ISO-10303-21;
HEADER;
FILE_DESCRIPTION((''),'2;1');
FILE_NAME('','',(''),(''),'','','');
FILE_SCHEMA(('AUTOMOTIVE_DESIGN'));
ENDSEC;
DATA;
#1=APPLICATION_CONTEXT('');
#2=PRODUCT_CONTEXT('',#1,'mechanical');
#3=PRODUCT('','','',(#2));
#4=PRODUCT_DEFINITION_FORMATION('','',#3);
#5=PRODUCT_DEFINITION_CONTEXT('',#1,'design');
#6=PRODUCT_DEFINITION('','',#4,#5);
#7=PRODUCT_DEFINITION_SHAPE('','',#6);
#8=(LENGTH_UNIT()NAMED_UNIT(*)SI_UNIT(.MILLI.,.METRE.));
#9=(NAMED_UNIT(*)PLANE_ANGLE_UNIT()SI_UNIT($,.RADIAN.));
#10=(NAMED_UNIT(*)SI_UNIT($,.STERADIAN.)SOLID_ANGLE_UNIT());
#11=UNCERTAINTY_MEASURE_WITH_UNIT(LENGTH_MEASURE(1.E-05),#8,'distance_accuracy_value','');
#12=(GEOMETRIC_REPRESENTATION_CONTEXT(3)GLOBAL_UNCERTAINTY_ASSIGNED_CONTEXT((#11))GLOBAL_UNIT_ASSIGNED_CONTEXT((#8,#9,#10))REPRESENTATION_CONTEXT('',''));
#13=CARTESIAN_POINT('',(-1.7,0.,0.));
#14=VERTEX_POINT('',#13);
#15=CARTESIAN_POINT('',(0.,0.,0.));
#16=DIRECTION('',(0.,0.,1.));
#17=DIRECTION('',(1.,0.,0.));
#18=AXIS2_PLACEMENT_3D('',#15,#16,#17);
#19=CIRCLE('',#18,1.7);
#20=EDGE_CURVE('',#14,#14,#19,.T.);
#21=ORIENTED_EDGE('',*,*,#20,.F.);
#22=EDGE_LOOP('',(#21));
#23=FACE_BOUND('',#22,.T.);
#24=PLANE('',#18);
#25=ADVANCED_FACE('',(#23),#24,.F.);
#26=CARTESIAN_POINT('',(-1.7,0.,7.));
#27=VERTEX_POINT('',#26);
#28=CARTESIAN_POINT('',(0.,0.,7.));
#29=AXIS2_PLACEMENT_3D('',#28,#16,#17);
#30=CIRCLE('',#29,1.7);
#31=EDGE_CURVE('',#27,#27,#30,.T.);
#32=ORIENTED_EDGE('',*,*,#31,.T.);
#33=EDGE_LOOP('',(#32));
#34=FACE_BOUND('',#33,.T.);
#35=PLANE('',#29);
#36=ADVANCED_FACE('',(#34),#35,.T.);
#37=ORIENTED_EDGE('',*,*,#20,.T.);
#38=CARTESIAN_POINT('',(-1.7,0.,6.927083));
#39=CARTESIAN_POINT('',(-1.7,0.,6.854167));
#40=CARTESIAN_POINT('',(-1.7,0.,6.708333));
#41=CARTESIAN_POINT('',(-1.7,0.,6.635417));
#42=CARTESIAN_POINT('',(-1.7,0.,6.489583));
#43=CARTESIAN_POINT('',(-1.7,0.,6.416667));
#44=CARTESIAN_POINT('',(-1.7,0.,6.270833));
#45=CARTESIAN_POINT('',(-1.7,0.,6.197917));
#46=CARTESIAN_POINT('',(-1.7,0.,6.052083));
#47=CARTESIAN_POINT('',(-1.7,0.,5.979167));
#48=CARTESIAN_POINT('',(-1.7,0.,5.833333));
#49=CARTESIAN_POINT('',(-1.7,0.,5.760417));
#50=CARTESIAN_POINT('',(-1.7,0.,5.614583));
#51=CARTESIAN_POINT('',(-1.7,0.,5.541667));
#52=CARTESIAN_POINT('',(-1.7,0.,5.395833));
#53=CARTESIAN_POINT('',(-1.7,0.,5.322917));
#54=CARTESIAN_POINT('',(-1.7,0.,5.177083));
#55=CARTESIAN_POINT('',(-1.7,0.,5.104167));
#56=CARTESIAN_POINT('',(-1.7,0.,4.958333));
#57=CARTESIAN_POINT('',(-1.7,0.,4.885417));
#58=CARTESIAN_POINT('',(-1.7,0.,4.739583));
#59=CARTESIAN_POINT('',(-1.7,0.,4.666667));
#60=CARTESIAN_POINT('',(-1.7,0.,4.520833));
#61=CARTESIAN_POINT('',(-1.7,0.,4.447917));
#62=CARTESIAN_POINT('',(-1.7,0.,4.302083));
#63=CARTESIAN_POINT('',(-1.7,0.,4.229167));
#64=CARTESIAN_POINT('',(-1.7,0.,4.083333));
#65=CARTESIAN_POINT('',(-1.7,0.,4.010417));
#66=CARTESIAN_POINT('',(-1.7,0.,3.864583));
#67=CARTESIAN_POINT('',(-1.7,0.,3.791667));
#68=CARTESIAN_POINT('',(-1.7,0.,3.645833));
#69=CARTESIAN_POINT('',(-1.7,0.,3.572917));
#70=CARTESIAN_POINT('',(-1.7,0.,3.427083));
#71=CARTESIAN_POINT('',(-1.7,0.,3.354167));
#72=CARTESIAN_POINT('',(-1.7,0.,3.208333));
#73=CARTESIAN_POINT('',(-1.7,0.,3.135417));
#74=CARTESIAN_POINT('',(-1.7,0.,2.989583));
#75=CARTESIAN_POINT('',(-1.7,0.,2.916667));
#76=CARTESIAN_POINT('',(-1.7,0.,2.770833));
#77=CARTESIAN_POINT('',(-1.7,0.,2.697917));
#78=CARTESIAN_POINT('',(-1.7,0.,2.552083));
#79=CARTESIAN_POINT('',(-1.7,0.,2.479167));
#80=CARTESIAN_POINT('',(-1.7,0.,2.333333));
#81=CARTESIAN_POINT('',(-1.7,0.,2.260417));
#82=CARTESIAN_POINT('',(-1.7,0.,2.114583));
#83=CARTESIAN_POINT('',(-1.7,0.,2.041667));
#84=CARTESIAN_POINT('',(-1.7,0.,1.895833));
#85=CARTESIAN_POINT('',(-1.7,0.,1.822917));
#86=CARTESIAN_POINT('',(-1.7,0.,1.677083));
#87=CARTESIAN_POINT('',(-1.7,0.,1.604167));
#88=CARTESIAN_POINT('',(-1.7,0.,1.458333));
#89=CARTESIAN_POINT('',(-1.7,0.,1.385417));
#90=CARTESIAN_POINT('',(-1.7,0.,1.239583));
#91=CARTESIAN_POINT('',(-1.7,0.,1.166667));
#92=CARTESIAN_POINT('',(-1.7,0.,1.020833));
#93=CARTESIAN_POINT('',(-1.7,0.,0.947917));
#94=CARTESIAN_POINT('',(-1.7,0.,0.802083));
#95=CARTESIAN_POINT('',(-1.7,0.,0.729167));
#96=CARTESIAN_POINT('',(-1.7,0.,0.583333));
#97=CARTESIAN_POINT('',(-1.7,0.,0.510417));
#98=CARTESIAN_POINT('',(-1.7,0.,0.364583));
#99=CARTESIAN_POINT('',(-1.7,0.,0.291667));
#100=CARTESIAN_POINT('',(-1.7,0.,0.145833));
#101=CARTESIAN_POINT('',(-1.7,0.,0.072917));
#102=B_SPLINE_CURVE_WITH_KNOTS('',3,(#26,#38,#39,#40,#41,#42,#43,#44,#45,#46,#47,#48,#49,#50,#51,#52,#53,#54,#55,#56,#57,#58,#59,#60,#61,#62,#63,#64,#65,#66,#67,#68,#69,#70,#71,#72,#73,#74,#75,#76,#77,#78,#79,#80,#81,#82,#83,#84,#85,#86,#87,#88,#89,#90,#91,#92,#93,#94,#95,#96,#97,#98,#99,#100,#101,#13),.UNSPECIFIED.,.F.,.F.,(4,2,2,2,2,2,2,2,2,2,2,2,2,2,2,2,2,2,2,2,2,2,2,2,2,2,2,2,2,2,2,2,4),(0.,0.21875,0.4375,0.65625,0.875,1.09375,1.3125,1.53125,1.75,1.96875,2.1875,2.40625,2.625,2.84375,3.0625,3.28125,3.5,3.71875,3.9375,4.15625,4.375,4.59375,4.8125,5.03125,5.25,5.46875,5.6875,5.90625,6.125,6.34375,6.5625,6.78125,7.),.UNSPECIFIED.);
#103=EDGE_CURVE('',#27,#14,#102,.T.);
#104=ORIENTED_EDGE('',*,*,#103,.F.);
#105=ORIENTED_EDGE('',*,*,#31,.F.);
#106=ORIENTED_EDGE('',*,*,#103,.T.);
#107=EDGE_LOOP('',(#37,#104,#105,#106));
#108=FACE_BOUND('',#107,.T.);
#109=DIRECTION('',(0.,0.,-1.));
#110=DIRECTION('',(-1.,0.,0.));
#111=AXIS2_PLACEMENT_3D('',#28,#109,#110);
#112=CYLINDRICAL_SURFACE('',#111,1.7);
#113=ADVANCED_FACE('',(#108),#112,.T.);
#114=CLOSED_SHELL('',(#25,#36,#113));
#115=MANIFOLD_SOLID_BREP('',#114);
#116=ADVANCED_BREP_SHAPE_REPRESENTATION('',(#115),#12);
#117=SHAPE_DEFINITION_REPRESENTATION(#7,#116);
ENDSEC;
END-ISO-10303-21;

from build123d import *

# Parameters (mm, degrees)
SKETCH1_R           = 1.7
BOSS_EXTRUDE1_DEPTH = 7


with BuildPart() as part:
    # Sketch1 → Boss-Extrude1 (new body)
    with BuildSketch(Plane.XY):
        with Locations(Location((0, 0, 0), (0, 0, 180))):
            Circle(SKETCH1_R)
    extrude(amount=BOSS_EXTRUDE1_DEPTH)


solid = part.part
